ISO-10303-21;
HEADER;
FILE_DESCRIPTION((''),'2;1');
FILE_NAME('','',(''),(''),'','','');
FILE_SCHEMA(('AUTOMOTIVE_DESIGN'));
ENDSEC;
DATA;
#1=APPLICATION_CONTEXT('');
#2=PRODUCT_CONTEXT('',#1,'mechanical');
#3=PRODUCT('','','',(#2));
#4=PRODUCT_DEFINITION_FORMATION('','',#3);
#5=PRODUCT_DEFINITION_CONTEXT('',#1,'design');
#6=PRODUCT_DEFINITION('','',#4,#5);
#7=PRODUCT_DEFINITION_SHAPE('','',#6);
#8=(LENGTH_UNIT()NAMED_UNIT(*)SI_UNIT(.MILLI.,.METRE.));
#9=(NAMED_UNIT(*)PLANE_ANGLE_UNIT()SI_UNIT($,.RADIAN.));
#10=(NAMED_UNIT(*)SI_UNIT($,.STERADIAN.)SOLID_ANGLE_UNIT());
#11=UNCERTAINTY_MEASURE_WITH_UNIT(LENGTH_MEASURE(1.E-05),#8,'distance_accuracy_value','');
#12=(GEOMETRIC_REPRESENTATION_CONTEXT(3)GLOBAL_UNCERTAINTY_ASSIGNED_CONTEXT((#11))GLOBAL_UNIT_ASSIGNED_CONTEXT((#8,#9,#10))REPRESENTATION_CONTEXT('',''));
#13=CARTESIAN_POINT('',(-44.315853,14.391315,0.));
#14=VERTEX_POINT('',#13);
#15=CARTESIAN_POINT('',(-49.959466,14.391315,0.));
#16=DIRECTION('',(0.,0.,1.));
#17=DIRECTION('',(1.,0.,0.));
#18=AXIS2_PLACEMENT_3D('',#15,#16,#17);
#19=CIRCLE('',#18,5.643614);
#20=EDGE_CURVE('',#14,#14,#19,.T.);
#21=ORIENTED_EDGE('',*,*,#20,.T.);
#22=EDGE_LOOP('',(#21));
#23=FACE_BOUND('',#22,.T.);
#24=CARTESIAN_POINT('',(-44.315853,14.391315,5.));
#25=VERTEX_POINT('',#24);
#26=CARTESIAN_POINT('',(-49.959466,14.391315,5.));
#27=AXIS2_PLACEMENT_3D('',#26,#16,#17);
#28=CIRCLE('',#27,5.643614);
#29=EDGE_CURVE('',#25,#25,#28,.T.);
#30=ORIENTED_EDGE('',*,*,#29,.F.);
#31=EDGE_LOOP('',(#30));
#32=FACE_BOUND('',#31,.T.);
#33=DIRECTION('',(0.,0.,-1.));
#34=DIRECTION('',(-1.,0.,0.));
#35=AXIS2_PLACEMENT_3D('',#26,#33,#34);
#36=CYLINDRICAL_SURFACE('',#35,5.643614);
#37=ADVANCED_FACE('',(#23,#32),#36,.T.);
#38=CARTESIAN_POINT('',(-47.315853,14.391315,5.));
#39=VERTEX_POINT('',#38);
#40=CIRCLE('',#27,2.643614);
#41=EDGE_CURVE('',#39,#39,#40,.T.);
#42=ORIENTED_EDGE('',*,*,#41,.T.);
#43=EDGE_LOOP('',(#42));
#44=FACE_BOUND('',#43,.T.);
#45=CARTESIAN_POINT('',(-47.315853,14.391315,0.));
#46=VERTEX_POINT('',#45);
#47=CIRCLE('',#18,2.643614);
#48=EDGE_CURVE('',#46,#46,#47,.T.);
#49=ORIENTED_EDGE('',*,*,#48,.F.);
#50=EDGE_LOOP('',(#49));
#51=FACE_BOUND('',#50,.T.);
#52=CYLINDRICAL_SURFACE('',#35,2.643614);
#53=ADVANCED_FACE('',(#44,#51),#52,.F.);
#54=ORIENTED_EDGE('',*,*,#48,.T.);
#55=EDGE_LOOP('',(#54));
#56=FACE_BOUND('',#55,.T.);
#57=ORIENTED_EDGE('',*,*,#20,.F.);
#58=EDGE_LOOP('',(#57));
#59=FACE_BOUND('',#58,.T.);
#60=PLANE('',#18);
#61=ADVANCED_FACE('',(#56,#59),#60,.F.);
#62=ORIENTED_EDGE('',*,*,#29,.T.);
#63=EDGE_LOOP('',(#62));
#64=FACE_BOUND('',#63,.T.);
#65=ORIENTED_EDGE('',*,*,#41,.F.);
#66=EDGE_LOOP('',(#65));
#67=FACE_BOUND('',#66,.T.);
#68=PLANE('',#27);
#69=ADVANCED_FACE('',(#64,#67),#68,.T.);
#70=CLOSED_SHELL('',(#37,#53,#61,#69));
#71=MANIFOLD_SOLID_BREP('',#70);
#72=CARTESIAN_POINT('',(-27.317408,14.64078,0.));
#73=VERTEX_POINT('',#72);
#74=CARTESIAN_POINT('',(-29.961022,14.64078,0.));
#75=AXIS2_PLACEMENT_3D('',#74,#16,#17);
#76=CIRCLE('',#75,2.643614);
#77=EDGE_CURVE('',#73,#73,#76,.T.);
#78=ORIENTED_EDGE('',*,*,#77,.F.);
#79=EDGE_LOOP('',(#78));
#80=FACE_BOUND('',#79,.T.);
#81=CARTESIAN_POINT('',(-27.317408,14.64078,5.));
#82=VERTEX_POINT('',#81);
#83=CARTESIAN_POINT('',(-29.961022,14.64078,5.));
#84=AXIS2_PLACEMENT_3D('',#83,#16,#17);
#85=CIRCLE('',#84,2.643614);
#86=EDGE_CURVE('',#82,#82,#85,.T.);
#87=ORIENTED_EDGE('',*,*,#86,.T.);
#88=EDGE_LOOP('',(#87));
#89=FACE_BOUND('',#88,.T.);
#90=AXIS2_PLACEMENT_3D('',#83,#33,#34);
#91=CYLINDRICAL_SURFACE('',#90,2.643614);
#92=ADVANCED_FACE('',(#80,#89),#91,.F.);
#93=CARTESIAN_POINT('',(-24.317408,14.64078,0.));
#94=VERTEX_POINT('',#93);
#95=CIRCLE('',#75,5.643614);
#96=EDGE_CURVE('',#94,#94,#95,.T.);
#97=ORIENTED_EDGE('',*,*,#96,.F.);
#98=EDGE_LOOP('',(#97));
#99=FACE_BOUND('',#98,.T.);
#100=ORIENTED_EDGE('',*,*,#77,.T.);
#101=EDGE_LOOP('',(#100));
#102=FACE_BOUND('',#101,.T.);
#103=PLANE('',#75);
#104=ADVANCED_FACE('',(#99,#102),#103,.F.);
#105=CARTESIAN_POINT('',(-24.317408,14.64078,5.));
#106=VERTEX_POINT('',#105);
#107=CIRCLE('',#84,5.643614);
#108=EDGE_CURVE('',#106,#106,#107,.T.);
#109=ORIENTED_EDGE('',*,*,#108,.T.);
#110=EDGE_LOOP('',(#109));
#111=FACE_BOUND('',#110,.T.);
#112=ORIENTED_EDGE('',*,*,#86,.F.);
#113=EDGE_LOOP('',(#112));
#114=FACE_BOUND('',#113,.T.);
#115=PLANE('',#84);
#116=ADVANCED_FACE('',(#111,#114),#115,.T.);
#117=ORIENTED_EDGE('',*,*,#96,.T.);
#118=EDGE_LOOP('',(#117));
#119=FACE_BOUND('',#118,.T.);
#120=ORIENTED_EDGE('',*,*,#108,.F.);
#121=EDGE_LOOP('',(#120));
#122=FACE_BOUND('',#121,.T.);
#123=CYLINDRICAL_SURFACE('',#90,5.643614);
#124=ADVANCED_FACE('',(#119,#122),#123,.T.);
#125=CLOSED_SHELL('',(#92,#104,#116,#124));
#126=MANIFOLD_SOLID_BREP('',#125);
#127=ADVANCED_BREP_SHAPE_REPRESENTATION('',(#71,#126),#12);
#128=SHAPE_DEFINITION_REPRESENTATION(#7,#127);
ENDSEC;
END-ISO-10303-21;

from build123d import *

# Parameters (mm, degrees)
SKETCH_1_R        = 5.643613852
SKETCH_1_R_2      = 2.643613852
EXTRUDE_1_DEPTH   = 5
EXTRUDE_1_2_DEPTH = 5
SKETCH_1_2_R      = 5.643613852
SKETCH_1_2_R_2    = 2.643613852
EXTRUDE_2_DEPTH   = 5


with BuildPart() as part:
    # 草图1 → 凸台-拉伸1 (new body)
    with BuildSketch(Plane.XY):
        with Locations((-49.959466428, 14.391315389)):
            Circle(SKETCH_1_R)
        with Locations((-49.959466428, 14.391315389)):
            Circle(SKETCH_1_R_2, mode=Mode.SUBTRACT)
    extrude(amount=EXTRUDE_1_DEPTH)



with BuildPart() as body_2:
    # 草图1 → Extrude 1 2 (new body)
    with BuildSketch(Plane.XY):
        with Locations((-29.961022302, 14.640779915)):
            Circle(SKETCH_1_R)
        with Locations((-29.961022302, 14.640779915)):
            Circle(SKETCH_1_R_2, mode=Mode.SUBTRACT)
    extrude(amount=EXTRUDE_1_2_DEPTH)


with BuildPart() as part_1:
    add(part.part)

    add(body_2.part)  # 凸台-拉伸2 merges body 2
    # 草图1<2> → 凸台-拉伸2 (add)
    # profile 1 of 2: a face of its own
    with BuildSketch(Plane.XY):
        with Locations((-49.959466428, 14.391315389)):
            Circle(SKETCH_1_2_R)
        with Locations((-49.959466428, 14.391315389)):
            Circle(SKETCH_1_2_R_2, mode=Mode.SUBTRACT)
    # profile 2 of 2: a face of its own
    with BuildSketch(Plane.XY):
        with Locations((-29.961022302, 14.640779915)):
            Circle(SKETCH_1_2_R)
        with Locations((-29.961022302, 14.640779915)):
            Circle(SKETCH_1_2_R_2, mode=Mode.SUBTRACT)
    extrude(amount=EXTRUDE_2_DEPTH)


solid = part_1.part
